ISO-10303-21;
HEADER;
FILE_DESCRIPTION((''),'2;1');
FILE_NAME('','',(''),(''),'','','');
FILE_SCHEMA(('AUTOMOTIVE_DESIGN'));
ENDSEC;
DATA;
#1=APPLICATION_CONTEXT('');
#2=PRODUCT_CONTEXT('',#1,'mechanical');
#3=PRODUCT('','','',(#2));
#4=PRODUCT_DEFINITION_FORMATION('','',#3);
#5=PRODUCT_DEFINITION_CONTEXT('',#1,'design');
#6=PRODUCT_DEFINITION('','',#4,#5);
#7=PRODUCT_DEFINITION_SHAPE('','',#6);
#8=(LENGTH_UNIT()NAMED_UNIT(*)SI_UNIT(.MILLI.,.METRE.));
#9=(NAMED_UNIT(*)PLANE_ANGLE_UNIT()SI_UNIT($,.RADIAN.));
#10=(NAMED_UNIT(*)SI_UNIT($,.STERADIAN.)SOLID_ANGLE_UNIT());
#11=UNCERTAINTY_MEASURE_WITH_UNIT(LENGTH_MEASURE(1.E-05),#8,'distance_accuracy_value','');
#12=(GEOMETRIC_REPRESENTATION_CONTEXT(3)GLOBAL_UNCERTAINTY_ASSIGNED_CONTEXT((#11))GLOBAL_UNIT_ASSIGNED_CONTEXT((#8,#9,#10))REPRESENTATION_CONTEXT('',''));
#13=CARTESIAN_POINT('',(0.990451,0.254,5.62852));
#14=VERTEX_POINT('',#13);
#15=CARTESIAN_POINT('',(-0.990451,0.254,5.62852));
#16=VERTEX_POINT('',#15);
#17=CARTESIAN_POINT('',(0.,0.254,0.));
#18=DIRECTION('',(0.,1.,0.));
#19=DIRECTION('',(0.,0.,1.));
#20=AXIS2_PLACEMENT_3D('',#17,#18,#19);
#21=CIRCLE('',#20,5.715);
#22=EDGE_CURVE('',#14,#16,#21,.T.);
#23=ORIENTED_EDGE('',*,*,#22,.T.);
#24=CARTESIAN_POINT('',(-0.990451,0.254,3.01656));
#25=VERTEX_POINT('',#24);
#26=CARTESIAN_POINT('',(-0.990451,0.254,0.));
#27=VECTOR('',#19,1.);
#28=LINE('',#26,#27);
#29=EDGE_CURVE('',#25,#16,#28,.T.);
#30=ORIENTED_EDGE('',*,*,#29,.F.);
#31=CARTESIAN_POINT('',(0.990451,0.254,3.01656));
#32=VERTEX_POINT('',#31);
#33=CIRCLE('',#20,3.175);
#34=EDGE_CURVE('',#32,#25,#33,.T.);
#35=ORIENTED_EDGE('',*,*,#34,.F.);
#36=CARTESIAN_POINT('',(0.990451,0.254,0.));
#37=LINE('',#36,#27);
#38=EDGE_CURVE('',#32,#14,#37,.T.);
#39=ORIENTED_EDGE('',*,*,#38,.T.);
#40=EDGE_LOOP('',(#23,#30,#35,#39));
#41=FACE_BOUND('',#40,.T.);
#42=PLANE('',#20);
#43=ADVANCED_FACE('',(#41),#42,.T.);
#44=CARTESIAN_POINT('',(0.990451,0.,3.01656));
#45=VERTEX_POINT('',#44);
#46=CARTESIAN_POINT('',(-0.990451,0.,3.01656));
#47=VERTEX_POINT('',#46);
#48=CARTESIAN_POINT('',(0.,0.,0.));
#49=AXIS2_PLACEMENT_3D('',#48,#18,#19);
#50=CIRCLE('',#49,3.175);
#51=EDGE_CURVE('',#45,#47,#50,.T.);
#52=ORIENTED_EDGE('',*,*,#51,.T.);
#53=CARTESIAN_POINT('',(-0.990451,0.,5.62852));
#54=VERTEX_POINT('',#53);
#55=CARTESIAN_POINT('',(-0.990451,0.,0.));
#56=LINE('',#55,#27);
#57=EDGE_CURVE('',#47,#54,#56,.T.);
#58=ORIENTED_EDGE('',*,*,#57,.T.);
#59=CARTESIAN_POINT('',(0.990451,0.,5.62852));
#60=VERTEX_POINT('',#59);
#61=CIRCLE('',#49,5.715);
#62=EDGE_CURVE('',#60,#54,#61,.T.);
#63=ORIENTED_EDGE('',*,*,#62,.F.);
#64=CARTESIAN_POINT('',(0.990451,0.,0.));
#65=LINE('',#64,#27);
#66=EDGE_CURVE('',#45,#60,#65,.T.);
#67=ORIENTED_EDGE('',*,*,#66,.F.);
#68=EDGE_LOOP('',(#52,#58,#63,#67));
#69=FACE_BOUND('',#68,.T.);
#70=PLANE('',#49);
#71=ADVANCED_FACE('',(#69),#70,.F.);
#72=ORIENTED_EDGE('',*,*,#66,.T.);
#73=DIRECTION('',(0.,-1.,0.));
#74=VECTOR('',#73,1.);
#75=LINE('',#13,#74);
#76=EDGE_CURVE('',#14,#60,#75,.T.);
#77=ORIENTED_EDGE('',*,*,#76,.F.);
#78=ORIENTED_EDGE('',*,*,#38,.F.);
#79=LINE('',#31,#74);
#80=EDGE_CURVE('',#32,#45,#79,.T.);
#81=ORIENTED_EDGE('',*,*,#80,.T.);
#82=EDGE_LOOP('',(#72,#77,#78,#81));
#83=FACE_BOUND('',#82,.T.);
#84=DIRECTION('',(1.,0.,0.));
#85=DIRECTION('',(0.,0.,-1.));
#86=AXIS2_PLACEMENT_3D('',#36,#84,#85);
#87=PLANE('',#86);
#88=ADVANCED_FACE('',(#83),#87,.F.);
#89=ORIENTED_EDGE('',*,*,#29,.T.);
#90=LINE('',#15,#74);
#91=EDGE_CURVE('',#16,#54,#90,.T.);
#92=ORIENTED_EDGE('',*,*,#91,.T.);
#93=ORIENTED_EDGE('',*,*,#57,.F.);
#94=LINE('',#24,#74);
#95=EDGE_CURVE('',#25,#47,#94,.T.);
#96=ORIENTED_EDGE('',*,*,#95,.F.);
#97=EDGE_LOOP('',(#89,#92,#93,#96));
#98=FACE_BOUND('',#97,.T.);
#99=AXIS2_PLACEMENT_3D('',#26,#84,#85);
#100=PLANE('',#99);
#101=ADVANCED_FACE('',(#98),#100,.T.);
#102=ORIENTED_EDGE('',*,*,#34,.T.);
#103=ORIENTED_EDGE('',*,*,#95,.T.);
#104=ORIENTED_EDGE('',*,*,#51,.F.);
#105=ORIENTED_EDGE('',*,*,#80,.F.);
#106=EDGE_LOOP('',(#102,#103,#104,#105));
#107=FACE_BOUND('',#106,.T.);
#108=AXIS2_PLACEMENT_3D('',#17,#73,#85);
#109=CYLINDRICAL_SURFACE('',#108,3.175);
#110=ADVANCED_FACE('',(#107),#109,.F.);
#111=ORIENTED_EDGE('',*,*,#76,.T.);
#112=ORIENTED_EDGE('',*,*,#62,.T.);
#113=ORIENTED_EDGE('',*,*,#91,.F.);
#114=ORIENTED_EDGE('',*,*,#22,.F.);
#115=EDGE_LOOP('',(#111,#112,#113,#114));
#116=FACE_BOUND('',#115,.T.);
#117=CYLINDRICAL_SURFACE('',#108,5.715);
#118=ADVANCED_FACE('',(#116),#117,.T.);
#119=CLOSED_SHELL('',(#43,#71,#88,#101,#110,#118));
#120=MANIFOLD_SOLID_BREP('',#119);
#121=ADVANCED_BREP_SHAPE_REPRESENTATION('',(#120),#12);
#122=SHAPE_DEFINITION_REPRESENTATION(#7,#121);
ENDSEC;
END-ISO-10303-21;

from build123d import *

# Parameters (mm, degrees)
BOSS_EXTRUDE1_DEPTH = 0.254


with BuildPart() as part:
    # Sketch1 → Boss-Extrude1 (new body)
    with BuildSketch(Plane(origin=(0, 0, 0), x_dir=(1, 0, 0), z_dir=(0, 1, 0))):
        with BuildLine():
            Line((-0.990450861, -5.628519529), (-0.990450861, -3.016559645))
            ThreePointArc((-0.990450861, -3.016559645), (0, 3.175), (0.990450861, -3.016559645))
            Line((0.990450861, -3.016559645), (0.990450861, -5.628519529))
            ThreePointArc((0.990450861, -5.628519529), (0, 5.715), (-0.990450861, -5.628519529))
        make_face()
    extrude(amount=BOSS_EXTRUDE1_DEPTH)


solid = part.part
